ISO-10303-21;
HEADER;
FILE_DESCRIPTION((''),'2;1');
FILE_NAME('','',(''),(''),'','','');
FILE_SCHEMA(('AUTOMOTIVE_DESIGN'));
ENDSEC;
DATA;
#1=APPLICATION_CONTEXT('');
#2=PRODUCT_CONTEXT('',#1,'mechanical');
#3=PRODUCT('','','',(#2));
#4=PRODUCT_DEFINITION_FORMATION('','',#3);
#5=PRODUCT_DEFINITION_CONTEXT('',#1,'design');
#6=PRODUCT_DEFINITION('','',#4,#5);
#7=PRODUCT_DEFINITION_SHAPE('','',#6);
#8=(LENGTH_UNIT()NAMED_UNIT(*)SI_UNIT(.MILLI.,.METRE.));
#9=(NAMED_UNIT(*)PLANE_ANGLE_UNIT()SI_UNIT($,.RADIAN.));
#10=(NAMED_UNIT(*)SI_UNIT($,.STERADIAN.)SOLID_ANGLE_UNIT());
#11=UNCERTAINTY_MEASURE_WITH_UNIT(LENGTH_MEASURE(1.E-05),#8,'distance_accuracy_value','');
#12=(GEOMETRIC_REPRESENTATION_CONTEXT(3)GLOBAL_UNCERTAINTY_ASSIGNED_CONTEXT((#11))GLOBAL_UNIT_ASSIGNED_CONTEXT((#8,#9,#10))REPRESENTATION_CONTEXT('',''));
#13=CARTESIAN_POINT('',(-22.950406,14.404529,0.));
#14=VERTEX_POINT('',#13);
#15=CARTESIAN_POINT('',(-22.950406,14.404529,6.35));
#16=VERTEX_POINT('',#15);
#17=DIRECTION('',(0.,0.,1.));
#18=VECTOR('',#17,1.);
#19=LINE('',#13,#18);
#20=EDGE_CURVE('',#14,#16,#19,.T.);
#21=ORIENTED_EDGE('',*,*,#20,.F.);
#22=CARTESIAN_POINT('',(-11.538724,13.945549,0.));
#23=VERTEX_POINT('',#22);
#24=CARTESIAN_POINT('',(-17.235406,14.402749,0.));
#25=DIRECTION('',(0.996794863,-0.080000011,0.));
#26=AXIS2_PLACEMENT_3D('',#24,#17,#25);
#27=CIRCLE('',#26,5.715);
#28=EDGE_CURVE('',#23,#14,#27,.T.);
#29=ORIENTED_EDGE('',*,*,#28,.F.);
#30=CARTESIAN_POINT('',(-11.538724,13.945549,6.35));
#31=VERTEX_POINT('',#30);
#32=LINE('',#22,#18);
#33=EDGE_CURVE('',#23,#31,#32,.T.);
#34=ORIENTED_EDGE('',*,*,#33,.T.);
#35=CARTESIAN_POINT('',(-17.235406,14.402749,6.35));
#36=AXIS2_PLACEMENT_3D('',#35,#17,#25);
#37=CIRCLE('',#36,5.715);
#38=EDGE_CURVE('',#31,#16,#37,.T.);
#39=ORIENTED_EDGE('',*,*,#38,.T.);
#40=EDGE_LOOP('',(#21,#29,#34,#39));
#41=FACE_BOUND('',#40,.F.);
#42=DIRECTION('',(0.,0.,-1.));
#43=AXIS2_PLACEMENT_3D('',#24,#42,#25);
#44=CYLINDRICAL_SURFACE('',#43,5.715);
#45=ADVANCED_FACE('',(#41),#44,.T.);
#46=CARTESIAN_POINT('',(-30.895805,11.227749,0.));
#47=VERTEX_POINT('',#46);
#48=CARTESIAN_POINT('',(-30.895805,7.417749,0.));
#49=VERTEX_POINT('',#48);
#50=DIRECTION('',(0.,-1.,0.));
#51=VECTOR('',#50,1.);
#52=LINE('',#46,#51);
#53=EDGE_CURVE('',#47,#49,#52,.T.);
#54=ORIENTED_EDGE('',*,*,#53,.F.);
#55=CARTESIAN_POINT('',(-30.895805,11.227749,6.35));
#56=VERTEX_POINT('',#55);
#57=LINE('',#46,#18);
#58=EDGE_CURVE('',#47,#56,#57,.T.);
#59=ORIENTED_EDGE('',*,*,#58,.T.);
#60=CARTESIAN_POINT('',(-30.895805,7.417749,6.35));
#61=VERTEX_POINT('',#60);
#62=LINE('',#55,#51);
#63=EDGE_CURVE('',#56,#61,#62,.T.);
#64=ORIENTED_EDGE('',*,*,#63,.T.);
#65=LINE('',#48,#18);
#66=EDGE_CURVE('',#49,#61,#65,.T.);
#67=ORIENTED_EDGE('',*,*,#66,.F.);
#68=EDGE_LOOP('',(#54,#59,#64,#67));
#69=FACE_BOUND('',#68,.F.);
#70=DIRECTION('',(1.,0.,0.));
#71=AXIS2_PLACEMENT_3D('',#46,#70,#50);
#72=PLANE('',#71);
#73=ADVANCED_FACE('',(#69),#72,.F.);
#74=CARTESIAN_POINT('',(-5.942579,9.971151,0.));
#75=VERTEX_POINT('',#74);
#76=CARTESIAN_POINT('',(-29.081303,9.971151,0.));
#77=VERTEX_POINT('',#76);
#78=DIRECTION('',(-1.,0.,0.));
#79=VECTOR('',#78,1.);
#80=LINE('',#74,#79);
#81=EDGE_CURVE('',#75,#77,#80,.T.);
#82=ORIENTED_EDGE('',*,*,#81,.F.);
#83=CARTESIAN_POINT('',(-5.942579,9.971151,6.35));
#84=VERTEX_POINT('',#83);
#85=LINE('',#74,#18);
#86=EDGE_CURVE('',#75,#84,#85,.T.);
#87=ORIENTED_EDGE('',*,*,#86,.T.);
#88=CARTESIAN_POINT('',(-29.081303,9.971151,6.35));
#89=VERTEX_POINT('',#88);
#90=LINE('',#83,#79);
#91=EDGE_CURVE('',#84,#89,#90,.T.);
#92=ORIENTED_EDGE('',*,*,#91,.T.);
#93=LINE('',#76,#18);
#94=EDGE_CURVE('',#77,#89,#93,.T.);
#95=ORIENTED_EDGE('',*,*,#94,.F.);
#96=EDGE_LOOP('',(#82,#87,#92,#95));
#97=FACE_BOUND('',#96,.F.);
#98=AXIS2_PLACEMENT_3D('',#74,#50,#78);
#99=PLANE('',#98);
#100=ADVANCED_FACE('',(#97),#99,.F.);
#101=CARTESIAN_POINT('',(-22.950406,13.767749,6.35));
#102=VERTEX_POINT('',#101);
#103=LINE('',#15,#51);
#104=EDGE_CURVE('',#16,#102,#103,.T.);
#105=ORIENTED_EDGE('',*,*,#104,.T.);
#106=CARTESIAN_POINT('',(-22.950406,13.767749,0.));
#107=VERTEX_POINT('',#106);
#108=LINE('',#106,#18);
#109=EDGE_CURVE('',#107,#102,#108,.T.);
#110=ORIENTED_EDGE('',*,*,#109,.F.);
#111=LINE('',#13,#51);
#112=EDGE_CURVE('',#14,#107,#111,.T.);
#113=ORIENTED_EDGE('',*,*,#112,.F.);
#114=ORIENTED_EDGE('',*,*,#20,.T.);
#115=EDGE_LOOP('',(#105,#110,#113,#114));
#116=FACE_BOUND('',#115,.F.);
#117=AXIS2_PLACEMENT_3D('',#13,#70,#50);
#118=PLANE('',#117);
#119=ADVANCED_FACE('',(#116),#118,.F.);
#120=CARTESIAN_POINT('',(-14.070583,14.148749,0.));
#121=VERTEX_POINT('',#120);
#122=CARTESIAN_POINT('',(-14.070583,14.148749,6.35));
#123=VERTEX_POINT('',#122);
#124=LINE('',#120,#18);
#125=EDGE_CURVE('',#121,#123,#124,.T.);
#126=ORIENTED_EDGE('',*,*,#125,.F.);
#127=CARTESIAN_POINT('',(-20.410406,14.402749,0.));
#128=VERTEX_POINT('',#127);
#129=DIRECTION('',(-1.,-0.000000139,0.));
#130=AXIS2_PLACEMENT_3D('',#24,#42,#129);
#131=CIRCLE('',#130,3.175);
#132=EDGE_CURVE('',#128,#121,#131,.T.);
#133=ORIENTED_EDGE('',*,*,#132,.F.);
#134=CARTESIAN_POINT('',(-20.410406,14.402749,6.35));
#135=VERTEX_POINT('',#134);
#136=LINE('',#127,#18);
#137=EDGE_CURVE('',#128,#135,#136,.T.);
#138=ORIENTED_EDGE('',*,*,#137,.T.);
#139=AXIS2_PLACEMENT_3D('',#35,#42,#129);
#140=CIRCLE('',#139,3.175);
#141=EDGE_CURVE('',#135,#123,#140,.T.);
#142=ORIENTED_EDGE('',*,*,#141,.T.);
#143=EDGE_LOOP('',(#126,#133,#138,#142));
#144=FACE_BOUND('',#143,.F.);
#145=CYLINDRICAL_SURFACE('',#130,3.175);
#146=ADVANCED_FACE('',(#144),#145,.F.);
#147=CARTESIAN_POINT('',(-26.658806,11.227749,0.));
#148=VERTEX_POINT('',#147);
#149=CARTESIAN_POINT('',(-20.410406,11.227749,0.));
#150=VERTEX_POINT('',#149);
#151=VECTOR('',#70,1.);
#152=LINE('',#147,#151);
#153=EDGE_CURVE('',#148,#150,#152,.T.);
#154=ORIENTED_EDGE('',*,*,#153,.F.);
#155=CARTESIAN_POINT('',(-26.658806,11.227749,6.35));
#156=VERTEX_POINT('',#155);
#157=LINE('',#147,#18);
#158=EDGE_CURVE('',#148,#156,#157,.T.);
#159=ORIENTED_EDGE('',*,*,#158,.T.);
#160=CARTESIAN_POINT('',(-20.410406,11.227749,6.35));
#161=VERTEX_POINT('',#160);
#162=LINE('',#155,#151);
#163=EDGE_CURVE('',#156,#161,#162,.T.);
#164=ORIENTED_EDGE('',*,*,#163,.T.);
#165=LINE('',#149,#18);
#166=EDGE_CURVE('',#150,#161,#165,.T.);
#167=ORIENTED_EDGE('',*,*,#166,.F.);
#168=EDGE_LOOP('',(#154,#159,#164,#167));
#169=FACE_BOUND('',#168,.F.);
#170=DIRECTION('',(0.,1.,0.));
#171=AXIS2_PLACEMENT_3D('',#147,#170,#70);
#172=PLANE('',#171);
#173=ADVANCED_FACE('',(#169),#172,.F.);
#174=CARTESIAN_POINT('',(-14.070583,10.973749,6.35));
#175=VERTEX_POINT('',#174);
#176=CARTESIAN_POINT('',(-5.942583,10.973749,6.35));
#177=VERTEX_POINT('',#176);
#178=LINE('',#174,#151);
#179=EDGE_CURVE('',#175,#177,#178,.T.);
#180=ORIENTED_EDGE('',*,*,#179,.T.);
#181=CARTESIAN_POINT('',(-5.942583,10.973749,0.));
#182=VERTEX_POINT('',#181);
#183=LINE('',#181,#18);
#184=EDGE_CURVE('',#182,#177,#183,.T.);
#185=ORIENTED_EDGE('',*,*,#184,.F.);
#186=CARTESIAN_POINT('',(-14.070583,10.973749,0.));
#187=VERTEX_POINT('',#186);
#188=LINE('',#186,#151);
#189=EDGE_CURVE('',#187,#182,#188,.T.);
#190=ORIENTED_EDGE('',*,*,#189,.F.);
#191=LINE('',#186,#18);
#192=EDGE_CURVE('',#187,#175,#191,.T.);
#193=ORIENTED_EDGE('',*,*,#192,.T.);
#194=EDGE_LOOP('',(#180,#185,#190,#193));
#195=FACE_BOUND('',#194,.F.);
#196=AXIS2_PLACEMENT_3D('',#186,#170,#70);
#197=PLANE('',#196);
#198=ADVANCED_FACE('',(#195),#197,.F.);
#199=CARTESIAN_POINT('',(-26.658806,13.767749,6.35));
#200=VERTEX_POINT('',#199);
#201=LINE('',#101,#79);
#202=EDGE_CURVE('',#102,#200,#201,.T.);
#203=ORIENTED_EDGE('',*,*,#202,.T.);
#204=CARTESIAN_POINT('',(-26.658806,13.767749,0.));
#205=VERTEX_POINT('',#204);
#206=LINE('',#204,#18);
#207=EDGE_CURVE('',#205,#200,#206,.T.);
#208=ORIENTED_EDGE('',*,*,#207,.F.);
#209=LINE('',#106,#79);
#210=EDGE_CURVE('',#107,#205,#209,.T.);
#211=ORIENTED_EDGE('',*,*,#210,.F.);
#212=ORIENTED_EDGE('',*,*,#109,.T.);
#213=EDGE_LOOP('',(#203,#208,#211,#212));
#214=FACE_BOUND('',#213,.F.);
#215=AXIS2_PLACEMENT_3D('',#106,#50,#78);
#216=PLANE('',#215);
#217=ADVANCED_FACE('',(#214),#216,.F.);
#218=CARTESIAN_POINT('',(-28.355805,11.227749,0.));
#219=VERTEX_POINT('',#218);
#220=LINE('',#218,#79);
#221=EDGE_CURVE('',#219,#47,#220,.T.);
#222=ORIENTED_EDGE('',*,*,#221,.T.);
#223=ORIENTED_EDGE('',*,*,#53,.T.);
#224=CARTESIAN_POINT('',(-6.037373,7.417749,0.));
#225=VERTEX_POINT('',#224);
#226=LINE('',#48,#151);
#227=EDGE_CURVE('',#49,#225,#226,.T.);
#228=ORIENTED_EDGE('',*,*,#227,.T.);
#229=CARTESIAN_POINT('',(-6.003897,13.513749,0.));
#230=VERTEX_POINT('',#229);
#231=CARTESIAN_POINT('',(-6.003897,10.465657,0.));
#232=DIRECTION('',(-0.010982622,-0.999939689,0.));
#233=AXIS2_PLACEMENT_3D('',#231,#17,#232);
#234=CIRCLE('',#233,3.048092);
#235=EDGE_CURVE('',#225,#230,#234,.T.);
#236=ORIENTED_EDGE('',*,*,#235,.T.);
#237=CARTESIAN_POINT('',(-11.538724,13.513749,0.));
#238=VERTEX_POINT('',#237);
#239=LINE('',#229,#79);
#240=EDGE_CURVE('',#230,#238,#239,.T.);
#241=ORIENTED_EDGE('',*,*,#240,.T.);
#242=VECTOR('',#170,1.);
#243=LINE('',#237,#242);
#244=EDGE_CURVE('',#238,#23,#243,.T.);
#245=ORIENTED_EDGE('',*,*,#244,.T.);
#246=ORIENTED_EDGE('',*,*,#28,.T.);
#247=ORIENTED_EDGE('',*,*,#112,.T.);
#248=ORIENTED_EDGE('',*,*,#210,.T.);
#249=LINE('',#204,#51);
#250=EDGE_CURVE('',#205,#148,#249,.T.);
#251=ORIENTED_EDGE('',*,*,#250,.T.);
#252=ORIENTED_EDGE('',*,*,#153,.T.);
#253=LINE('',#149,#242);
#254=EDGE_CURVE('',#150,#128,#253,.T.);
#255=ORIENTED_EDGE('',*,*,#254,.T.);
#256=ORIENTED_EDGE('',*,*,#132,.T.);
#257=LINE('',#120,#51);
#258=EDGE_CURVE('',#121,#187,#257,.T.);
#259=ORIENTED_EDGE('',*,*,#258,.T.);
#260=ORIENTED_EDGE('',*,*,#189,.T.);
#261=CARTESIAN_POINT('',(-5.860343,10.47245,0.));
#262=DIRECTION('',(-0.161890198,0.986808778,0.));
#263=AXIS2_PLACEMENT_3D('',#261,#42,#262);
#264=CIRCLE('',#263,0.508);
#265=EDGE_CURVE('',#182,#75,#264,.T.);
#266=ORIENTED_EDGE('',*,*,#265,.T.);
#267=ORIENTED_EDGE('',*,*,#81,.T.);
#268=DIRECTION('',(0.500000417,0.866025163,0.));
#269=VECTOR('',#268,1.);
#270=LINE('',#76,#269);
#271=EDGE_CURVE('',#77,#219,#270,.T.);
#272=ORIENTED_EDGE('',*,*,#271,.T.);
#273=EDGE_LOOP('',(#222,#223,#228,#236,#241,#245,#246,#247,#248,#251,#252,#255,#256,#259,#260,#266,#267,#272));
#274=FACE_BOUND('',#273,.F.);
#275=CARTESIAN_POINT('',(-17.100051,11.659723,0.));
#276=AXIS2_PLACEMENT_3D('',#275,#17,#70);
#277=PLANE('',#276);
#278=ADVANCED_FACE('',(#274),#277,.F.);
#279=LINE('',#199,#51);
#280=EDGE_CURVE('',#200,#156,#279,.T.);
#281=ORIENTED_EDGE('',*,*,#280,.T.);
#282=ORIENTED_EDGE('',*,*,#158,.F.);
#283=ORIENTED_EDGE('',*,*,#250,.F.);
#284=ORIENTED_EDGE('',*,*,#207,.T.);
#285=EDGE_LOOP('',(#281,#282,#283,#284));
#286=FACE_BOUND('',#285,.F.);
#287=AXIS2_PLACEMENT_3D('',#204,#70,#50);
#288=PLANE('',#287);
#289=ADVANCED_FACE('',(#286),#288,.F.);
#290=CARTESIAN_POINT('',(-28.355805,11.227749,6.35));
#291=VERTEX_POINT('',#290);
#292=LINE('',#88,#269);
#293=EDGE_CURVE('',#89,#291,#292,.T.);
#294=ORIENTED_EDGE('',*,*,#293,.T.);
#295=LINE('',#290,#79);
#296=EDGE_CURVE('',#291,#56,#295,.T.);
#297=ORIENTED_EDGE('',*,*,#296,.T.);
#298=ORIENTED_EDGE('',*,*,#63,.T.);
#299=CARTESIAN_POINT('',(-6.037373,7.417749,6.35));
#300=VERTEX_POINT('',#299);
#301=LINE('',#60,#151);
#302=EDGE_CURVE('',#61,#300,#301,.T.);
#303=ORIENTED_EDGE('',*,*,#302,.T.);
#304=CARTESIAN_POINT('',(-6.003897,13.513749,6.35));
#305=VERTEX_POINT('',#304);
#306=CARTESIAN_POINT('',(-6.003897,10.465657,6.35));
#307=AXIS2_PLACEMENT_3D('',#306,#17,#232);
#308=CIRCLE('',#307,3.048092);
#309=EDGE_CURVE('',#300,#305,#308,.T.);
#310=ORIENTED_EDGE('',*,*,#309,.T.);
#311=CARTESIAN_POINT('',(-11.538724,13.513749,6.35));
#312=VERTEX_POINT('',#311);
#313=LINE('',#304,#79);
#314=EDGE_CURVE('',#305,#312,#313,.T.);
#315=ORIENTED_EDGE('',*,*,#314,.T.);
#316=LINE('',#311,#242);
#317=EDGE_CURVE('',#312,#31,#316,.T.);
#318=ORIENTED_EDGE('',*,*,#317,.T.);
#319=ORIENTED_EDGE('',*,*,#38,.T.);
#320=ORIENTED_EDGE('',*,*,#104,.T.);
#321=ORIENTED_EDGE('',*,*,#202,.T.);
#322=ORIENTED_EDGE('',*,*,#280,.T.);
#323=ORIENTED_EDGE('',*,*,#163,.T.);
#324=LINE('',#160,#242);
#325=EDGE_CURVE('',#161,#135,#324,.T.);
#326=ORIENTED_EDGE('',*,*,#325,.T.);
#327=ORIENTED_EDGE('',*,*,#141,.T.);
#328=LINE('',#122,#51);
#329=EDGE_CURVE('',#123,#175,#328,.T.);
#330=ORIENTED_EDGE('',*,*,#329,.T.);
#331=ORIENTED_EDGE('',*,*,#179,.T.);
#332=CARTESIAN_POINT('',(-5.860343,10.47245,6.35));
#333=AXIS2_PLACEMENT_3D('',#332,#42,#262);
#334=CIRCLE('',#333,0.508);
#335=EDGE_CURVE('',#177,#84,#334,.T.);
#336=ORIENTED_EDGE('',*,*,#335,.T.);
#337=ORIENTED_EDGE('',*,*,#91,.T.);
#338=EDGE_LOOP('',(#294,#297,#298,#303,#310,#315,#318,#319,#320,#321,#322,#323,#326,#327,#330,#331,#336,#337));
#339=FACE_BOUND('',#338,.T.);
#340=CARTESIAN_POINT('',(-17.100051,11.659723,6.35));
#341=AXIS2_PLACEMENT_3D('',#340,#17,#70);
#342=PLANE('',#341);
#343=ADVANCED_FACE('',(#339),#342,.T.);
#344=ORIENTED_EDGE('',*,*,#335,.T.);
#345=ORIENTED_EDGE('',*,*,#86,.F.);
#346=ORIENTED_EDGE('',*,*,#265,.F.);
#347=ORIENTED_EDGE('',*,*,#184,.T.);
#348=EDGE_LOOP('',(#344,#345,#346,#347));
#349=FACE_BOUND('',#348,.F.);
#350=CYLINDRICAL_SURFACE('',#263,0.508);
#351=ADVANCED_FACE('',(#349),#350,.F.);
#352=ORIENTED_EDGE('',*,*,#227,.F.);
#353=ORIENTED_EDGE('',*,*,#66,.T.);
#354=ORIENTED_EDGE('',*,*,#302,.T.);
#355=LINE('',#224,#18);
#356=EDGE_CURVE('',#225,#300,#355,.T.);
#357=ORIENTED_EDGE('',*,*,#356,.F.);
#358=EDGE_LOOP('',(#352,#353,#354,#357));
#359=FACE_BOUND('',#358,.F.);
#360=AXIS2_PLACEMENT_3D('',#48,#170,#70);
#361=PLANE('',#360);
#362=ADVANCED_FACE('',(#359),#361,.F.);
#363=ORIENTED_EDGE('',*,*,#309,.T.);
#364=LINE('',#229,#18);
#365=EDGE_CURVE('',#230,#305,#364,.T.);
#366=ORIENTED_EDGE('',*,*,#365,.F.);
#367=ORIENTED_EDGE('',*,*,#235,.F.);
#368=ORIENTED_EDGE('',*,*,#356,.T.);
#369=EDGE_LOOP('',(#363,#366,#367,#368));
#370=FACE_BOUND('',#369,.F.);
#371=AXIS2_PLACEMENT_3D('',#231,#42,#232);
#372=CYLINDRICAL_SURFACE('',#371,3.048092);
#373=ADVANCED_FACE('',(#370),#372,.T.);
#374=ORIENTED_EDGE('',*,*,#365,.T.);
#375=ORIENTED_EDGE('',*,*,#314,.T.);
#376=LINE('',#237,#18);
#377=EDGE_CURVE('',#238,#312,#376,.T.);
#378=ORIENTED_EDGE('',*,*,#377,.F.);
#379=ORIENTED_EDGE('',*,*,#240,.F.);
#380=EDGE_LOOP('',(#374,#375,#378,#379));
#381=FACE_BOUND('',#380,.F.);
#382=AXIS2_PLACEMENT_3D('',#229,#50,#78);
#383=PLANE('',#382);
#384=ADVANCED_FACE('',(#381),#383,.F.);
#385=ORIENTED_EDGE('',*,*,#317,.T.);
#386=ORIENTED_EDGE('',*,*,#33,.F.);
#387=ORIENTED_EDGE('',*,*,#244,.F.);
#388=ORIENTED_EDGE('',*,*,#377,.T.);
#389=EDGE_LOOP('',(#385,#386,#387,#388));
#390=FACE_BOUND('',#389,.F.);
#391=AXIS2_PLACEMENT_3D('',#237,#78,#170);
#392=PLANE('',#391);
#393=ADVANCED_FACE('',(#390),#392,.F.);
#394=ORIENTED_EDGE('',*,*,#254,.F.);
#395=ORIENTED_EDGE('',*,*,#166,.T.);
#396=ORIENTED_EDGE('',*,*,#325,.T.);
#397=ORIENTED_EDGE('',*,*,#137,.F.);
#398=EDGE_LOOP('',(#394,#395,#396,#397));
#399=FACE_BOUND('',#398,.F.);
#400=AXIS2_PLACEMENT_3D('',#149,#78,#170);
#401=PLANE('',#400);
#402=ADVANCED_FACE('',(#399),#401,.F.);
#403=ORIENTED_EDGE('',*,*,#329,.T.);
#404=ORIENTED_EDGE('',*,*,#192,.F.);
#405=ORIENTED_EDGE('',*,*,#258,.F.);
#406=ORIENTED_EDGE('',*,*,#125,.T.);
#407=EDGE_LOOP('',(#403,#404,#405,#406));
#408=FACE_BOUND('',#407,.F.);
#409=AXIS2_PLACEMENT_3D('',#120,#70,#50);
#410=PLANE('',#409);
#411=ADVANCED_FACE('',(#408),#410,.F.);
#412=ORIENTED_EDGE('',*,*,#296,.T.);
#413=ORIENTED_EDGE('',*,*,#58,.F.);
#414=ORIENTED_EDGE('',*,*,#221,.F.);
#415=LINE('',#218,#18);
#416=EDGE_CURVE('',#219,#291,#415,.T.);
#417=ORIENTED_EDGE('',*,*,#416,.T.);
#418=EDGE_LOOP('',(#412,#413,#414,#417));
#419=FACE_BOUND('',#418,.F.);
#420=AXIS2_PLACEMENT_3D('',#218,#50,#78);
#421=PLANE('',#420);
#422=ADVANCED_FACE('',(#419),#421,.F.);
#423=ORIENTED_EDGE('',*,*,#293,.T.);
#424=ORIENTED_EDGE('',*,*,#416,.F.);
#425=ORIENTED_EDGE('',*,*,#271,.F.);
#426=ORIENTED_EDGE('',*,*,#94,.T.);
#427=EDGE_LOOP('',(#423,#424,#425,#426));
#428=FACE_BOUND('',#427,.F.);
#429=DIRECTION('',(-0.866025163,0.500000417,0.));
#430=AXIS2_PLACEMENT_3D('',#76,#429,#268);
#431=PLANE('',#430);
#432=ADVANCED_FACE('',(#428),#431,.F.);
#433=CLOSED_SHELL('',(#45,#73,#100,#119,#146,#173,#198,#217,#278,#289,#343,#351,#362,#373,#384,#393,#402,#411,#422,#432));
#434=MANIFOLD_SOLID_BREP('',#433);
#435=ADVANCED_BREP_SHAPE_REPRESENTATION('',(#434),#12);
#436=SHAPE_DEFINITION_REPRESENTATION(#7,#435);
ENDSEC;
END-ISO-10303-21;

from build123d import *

# Parameters (mm, degrees)
F1_DEPTH = 6.35


with BuildPart() as f1:
    # F0 (on Top) → F1 (new body)
    with BuildSketch(Plane.XY):
        with BuildLine():
            Line((-26.658806, 13.767749), (-26.658806, 11.227749))
            Line((-26.658806, 11.227749), (-20.410406, 11.227749))
            Line((-20.410406, 11.227749), (-20.410406, 14.402749))
            ThreePointArc((-20.410406, 14.402749), (-17.108304, 17.575204), (-14.070583, 14.148749))
            Line((-14.070583, 14.148749), (-14.070583, 10.973749))
            Line((-14.070583, 10.973749), (-5.942583, 10.973749))
            ThreePointArc((-5.942583, 10.973749), (-5.352343, 10.472452), (-5.942579, 9.971151))
            Line((-5.942579, 9.971151), (-29.081303, 9.971151))
            Line((-29.081303, 9.971151), (-28.355805, 11.227749))
            Line((-28.355805, 11.227749), (-30.895805, 11.227749))
            Line((-30.895805, 11.227749), (-30.895805, 7.417749))
            Line((-30.895805, 7.417749), (-6.037373, 7.417749))
            ThreePointArc((-6.037373, 7.417749), (-2.955851, 10.448919), (-6.003897, 13.513749))
            Line((-6.003897, 13.513749), (-11.538724, 13.513749))
            Line((-11.538724, 13.513749), (-11.538724, 13.945549))
            ThreePointArc((-11.538724, 13.945549), (-17.005734, 20.113132), (-22.950406, 14.404529))
            Line((-22.950406, 14.404529), (-22.950406, 13.767749))
            Line((-22.950406, 13.767749), (-26.658806, 13.767749))
        make_face()
    extrude(amount=F1_DEPTH)


solid = f1.part
